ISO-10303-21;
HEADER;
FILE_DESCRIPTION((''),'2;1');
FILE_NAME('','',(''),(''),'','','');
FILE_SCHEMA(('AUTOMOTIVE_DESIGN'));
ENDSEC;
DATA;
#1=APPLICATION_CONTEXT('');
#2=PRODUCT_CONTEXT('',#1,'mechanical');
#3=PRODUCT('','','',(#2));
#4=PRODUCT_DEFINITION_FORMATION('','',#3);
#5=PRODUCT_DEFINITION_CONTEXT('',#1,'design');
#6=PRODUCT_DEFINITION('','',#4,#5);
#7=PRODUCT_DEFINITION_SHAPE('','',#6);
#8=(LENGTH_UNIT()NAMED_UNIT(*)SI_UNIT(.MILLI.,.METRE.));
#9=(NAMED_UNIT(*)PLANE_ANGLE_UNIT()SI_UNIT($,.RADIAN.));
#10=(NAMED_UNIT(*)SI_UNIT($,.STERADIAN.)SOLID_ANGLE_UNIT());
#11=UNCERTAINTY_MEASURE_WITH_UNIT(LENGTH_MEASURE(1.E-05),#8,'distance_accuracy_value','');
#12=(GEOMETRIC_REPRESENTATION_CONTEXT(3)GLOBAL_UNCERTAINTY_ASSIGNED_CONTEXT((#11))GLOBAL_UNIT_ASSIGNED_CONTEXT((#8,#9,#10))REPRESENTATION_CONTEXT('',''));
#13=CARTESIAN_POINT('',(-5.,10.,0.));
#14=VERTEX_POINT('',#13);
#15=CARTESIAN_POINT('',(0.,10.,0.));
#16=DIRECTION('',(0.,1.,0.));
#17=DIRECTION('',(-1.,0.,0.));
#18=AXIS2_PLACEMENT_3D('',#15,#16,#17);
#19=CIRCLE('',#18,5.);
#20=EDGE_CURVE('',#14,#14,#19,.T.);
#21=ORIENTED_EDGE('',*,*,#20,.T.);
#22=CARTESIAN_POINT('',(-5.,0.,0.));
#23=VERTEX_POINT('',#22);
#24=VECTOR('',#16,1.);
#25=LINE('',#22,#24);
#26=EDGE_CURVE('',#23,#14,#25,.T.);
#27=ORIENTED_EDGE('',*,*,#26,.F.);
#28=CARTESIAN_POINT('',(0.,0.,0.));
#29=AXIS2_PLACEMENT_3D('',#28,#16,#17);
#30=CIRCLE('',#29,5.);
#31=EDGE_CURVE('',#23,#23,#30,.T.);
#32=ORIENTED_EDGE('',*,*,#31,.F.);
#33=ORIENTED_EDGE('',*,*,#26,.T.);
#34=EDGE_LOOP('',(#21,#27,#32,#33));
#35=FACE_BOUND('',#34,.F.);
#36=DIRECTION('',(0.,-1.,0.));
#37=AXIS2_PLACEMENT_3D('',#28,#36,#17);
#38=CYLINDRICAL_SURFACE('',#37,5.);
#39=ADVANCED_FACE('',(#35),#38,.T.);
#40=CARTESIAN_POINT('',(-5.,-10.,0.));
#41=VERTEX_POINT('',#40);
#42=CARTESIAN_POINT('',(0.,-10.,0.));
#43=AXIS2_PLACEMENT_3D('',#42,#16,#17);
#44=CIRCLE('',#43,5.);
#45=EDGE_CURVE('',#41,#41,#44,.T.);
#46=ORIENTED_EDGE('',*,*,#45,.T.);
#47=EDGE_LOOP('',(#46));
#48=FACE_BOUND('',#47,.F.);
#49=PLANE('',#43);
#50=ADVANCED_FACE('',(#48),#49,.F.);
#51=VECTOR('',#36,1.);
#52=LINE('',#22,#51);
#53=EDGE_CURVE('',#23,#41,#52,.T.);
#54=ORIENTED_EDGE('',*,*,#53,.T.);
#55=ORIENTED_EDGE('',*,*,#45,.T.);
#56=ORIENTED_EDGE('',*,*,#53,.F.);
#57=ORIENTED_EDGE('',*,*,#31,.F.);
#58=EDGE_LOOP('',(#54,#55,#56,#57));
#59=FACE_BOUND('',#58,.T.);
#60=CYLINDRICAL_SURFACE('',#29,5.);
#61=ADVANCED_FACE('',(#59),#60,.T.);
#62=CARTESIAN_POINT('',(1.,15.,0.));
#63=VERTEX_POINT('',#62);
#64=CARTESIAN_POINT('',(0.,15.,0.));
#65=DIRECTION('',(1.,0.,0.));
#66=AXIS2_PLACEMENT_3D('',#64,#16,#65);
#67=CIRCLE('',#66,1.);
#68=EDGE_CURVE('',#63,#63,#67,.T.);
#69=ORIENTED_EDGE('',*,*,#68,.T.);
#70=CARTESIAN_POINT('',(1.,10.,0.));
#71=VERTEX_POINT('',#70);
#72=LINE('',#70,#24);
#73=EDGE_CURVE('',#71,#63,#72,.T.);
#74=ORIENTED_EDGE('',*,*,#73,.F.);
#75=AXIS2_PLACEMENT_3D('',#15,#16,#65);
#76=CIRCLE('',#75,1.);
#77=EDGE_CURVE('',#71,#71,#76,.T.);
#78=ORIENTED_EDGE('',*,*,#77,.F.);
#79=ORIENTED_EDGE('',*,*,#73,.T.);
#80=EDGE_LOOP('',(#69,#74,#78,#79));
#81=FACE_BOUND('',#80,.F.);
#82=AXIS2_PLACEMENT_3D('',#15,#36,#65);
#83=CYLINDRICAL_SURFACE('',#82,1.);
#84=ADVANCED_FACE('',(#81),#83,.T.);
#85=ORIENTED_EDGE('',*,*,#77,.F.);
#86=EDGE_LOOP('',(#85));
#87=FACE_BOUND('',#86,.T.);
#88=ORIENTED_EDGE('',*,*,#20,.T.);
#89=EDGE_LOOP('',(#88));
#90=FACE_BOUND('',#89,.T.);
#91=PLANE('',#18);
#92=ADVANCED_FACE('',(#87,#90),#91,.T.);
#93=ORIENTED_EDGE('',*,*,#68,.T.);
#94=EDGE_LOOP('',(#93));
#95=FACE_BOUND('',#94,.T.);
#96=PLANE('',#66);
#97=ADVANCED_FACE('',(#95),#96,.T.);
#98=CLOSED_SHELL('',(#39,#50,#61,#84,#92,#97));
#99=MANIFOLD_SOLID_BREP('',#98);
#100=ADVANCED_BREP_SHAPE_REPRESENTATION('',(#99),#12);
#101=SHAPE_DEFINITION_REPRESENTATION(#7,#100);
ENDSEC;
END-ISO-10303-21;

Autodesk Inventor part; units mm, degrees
ref_plane "YZ Plane" through (0, 0, 0) normal (1, 0, 0) x (0, 1, 0)
ref_plane "XZ Plane" through (0, 0, 0) normal (0, 1, 0) x (-1, 0, 0)
ref_plane "XY Plane" through (0, 0, 0) normal (0, 0, 1) x (1, 0, 0)
sketch "スケッチ1" plane through (0, 0, 0) normal (0, 1, 0) x (-1, 0, 0)
  circle A0 centre (0, 0) radius 5
  dimension "d0" = 10
extrude "押し出し1" add sketch "スケッチ1" along normal mid plane 20
sketch "スケッチ2" plane through (0, 10, 0) normal (0, 1, 0) x (1, 0, 0)
  circle A0 centre (0, 0) radius 1
  dimension "d3" = 2
extrude "押し出し2" add sketch "スケッチ2" along normal blind 5
properties part number "s_motor"
